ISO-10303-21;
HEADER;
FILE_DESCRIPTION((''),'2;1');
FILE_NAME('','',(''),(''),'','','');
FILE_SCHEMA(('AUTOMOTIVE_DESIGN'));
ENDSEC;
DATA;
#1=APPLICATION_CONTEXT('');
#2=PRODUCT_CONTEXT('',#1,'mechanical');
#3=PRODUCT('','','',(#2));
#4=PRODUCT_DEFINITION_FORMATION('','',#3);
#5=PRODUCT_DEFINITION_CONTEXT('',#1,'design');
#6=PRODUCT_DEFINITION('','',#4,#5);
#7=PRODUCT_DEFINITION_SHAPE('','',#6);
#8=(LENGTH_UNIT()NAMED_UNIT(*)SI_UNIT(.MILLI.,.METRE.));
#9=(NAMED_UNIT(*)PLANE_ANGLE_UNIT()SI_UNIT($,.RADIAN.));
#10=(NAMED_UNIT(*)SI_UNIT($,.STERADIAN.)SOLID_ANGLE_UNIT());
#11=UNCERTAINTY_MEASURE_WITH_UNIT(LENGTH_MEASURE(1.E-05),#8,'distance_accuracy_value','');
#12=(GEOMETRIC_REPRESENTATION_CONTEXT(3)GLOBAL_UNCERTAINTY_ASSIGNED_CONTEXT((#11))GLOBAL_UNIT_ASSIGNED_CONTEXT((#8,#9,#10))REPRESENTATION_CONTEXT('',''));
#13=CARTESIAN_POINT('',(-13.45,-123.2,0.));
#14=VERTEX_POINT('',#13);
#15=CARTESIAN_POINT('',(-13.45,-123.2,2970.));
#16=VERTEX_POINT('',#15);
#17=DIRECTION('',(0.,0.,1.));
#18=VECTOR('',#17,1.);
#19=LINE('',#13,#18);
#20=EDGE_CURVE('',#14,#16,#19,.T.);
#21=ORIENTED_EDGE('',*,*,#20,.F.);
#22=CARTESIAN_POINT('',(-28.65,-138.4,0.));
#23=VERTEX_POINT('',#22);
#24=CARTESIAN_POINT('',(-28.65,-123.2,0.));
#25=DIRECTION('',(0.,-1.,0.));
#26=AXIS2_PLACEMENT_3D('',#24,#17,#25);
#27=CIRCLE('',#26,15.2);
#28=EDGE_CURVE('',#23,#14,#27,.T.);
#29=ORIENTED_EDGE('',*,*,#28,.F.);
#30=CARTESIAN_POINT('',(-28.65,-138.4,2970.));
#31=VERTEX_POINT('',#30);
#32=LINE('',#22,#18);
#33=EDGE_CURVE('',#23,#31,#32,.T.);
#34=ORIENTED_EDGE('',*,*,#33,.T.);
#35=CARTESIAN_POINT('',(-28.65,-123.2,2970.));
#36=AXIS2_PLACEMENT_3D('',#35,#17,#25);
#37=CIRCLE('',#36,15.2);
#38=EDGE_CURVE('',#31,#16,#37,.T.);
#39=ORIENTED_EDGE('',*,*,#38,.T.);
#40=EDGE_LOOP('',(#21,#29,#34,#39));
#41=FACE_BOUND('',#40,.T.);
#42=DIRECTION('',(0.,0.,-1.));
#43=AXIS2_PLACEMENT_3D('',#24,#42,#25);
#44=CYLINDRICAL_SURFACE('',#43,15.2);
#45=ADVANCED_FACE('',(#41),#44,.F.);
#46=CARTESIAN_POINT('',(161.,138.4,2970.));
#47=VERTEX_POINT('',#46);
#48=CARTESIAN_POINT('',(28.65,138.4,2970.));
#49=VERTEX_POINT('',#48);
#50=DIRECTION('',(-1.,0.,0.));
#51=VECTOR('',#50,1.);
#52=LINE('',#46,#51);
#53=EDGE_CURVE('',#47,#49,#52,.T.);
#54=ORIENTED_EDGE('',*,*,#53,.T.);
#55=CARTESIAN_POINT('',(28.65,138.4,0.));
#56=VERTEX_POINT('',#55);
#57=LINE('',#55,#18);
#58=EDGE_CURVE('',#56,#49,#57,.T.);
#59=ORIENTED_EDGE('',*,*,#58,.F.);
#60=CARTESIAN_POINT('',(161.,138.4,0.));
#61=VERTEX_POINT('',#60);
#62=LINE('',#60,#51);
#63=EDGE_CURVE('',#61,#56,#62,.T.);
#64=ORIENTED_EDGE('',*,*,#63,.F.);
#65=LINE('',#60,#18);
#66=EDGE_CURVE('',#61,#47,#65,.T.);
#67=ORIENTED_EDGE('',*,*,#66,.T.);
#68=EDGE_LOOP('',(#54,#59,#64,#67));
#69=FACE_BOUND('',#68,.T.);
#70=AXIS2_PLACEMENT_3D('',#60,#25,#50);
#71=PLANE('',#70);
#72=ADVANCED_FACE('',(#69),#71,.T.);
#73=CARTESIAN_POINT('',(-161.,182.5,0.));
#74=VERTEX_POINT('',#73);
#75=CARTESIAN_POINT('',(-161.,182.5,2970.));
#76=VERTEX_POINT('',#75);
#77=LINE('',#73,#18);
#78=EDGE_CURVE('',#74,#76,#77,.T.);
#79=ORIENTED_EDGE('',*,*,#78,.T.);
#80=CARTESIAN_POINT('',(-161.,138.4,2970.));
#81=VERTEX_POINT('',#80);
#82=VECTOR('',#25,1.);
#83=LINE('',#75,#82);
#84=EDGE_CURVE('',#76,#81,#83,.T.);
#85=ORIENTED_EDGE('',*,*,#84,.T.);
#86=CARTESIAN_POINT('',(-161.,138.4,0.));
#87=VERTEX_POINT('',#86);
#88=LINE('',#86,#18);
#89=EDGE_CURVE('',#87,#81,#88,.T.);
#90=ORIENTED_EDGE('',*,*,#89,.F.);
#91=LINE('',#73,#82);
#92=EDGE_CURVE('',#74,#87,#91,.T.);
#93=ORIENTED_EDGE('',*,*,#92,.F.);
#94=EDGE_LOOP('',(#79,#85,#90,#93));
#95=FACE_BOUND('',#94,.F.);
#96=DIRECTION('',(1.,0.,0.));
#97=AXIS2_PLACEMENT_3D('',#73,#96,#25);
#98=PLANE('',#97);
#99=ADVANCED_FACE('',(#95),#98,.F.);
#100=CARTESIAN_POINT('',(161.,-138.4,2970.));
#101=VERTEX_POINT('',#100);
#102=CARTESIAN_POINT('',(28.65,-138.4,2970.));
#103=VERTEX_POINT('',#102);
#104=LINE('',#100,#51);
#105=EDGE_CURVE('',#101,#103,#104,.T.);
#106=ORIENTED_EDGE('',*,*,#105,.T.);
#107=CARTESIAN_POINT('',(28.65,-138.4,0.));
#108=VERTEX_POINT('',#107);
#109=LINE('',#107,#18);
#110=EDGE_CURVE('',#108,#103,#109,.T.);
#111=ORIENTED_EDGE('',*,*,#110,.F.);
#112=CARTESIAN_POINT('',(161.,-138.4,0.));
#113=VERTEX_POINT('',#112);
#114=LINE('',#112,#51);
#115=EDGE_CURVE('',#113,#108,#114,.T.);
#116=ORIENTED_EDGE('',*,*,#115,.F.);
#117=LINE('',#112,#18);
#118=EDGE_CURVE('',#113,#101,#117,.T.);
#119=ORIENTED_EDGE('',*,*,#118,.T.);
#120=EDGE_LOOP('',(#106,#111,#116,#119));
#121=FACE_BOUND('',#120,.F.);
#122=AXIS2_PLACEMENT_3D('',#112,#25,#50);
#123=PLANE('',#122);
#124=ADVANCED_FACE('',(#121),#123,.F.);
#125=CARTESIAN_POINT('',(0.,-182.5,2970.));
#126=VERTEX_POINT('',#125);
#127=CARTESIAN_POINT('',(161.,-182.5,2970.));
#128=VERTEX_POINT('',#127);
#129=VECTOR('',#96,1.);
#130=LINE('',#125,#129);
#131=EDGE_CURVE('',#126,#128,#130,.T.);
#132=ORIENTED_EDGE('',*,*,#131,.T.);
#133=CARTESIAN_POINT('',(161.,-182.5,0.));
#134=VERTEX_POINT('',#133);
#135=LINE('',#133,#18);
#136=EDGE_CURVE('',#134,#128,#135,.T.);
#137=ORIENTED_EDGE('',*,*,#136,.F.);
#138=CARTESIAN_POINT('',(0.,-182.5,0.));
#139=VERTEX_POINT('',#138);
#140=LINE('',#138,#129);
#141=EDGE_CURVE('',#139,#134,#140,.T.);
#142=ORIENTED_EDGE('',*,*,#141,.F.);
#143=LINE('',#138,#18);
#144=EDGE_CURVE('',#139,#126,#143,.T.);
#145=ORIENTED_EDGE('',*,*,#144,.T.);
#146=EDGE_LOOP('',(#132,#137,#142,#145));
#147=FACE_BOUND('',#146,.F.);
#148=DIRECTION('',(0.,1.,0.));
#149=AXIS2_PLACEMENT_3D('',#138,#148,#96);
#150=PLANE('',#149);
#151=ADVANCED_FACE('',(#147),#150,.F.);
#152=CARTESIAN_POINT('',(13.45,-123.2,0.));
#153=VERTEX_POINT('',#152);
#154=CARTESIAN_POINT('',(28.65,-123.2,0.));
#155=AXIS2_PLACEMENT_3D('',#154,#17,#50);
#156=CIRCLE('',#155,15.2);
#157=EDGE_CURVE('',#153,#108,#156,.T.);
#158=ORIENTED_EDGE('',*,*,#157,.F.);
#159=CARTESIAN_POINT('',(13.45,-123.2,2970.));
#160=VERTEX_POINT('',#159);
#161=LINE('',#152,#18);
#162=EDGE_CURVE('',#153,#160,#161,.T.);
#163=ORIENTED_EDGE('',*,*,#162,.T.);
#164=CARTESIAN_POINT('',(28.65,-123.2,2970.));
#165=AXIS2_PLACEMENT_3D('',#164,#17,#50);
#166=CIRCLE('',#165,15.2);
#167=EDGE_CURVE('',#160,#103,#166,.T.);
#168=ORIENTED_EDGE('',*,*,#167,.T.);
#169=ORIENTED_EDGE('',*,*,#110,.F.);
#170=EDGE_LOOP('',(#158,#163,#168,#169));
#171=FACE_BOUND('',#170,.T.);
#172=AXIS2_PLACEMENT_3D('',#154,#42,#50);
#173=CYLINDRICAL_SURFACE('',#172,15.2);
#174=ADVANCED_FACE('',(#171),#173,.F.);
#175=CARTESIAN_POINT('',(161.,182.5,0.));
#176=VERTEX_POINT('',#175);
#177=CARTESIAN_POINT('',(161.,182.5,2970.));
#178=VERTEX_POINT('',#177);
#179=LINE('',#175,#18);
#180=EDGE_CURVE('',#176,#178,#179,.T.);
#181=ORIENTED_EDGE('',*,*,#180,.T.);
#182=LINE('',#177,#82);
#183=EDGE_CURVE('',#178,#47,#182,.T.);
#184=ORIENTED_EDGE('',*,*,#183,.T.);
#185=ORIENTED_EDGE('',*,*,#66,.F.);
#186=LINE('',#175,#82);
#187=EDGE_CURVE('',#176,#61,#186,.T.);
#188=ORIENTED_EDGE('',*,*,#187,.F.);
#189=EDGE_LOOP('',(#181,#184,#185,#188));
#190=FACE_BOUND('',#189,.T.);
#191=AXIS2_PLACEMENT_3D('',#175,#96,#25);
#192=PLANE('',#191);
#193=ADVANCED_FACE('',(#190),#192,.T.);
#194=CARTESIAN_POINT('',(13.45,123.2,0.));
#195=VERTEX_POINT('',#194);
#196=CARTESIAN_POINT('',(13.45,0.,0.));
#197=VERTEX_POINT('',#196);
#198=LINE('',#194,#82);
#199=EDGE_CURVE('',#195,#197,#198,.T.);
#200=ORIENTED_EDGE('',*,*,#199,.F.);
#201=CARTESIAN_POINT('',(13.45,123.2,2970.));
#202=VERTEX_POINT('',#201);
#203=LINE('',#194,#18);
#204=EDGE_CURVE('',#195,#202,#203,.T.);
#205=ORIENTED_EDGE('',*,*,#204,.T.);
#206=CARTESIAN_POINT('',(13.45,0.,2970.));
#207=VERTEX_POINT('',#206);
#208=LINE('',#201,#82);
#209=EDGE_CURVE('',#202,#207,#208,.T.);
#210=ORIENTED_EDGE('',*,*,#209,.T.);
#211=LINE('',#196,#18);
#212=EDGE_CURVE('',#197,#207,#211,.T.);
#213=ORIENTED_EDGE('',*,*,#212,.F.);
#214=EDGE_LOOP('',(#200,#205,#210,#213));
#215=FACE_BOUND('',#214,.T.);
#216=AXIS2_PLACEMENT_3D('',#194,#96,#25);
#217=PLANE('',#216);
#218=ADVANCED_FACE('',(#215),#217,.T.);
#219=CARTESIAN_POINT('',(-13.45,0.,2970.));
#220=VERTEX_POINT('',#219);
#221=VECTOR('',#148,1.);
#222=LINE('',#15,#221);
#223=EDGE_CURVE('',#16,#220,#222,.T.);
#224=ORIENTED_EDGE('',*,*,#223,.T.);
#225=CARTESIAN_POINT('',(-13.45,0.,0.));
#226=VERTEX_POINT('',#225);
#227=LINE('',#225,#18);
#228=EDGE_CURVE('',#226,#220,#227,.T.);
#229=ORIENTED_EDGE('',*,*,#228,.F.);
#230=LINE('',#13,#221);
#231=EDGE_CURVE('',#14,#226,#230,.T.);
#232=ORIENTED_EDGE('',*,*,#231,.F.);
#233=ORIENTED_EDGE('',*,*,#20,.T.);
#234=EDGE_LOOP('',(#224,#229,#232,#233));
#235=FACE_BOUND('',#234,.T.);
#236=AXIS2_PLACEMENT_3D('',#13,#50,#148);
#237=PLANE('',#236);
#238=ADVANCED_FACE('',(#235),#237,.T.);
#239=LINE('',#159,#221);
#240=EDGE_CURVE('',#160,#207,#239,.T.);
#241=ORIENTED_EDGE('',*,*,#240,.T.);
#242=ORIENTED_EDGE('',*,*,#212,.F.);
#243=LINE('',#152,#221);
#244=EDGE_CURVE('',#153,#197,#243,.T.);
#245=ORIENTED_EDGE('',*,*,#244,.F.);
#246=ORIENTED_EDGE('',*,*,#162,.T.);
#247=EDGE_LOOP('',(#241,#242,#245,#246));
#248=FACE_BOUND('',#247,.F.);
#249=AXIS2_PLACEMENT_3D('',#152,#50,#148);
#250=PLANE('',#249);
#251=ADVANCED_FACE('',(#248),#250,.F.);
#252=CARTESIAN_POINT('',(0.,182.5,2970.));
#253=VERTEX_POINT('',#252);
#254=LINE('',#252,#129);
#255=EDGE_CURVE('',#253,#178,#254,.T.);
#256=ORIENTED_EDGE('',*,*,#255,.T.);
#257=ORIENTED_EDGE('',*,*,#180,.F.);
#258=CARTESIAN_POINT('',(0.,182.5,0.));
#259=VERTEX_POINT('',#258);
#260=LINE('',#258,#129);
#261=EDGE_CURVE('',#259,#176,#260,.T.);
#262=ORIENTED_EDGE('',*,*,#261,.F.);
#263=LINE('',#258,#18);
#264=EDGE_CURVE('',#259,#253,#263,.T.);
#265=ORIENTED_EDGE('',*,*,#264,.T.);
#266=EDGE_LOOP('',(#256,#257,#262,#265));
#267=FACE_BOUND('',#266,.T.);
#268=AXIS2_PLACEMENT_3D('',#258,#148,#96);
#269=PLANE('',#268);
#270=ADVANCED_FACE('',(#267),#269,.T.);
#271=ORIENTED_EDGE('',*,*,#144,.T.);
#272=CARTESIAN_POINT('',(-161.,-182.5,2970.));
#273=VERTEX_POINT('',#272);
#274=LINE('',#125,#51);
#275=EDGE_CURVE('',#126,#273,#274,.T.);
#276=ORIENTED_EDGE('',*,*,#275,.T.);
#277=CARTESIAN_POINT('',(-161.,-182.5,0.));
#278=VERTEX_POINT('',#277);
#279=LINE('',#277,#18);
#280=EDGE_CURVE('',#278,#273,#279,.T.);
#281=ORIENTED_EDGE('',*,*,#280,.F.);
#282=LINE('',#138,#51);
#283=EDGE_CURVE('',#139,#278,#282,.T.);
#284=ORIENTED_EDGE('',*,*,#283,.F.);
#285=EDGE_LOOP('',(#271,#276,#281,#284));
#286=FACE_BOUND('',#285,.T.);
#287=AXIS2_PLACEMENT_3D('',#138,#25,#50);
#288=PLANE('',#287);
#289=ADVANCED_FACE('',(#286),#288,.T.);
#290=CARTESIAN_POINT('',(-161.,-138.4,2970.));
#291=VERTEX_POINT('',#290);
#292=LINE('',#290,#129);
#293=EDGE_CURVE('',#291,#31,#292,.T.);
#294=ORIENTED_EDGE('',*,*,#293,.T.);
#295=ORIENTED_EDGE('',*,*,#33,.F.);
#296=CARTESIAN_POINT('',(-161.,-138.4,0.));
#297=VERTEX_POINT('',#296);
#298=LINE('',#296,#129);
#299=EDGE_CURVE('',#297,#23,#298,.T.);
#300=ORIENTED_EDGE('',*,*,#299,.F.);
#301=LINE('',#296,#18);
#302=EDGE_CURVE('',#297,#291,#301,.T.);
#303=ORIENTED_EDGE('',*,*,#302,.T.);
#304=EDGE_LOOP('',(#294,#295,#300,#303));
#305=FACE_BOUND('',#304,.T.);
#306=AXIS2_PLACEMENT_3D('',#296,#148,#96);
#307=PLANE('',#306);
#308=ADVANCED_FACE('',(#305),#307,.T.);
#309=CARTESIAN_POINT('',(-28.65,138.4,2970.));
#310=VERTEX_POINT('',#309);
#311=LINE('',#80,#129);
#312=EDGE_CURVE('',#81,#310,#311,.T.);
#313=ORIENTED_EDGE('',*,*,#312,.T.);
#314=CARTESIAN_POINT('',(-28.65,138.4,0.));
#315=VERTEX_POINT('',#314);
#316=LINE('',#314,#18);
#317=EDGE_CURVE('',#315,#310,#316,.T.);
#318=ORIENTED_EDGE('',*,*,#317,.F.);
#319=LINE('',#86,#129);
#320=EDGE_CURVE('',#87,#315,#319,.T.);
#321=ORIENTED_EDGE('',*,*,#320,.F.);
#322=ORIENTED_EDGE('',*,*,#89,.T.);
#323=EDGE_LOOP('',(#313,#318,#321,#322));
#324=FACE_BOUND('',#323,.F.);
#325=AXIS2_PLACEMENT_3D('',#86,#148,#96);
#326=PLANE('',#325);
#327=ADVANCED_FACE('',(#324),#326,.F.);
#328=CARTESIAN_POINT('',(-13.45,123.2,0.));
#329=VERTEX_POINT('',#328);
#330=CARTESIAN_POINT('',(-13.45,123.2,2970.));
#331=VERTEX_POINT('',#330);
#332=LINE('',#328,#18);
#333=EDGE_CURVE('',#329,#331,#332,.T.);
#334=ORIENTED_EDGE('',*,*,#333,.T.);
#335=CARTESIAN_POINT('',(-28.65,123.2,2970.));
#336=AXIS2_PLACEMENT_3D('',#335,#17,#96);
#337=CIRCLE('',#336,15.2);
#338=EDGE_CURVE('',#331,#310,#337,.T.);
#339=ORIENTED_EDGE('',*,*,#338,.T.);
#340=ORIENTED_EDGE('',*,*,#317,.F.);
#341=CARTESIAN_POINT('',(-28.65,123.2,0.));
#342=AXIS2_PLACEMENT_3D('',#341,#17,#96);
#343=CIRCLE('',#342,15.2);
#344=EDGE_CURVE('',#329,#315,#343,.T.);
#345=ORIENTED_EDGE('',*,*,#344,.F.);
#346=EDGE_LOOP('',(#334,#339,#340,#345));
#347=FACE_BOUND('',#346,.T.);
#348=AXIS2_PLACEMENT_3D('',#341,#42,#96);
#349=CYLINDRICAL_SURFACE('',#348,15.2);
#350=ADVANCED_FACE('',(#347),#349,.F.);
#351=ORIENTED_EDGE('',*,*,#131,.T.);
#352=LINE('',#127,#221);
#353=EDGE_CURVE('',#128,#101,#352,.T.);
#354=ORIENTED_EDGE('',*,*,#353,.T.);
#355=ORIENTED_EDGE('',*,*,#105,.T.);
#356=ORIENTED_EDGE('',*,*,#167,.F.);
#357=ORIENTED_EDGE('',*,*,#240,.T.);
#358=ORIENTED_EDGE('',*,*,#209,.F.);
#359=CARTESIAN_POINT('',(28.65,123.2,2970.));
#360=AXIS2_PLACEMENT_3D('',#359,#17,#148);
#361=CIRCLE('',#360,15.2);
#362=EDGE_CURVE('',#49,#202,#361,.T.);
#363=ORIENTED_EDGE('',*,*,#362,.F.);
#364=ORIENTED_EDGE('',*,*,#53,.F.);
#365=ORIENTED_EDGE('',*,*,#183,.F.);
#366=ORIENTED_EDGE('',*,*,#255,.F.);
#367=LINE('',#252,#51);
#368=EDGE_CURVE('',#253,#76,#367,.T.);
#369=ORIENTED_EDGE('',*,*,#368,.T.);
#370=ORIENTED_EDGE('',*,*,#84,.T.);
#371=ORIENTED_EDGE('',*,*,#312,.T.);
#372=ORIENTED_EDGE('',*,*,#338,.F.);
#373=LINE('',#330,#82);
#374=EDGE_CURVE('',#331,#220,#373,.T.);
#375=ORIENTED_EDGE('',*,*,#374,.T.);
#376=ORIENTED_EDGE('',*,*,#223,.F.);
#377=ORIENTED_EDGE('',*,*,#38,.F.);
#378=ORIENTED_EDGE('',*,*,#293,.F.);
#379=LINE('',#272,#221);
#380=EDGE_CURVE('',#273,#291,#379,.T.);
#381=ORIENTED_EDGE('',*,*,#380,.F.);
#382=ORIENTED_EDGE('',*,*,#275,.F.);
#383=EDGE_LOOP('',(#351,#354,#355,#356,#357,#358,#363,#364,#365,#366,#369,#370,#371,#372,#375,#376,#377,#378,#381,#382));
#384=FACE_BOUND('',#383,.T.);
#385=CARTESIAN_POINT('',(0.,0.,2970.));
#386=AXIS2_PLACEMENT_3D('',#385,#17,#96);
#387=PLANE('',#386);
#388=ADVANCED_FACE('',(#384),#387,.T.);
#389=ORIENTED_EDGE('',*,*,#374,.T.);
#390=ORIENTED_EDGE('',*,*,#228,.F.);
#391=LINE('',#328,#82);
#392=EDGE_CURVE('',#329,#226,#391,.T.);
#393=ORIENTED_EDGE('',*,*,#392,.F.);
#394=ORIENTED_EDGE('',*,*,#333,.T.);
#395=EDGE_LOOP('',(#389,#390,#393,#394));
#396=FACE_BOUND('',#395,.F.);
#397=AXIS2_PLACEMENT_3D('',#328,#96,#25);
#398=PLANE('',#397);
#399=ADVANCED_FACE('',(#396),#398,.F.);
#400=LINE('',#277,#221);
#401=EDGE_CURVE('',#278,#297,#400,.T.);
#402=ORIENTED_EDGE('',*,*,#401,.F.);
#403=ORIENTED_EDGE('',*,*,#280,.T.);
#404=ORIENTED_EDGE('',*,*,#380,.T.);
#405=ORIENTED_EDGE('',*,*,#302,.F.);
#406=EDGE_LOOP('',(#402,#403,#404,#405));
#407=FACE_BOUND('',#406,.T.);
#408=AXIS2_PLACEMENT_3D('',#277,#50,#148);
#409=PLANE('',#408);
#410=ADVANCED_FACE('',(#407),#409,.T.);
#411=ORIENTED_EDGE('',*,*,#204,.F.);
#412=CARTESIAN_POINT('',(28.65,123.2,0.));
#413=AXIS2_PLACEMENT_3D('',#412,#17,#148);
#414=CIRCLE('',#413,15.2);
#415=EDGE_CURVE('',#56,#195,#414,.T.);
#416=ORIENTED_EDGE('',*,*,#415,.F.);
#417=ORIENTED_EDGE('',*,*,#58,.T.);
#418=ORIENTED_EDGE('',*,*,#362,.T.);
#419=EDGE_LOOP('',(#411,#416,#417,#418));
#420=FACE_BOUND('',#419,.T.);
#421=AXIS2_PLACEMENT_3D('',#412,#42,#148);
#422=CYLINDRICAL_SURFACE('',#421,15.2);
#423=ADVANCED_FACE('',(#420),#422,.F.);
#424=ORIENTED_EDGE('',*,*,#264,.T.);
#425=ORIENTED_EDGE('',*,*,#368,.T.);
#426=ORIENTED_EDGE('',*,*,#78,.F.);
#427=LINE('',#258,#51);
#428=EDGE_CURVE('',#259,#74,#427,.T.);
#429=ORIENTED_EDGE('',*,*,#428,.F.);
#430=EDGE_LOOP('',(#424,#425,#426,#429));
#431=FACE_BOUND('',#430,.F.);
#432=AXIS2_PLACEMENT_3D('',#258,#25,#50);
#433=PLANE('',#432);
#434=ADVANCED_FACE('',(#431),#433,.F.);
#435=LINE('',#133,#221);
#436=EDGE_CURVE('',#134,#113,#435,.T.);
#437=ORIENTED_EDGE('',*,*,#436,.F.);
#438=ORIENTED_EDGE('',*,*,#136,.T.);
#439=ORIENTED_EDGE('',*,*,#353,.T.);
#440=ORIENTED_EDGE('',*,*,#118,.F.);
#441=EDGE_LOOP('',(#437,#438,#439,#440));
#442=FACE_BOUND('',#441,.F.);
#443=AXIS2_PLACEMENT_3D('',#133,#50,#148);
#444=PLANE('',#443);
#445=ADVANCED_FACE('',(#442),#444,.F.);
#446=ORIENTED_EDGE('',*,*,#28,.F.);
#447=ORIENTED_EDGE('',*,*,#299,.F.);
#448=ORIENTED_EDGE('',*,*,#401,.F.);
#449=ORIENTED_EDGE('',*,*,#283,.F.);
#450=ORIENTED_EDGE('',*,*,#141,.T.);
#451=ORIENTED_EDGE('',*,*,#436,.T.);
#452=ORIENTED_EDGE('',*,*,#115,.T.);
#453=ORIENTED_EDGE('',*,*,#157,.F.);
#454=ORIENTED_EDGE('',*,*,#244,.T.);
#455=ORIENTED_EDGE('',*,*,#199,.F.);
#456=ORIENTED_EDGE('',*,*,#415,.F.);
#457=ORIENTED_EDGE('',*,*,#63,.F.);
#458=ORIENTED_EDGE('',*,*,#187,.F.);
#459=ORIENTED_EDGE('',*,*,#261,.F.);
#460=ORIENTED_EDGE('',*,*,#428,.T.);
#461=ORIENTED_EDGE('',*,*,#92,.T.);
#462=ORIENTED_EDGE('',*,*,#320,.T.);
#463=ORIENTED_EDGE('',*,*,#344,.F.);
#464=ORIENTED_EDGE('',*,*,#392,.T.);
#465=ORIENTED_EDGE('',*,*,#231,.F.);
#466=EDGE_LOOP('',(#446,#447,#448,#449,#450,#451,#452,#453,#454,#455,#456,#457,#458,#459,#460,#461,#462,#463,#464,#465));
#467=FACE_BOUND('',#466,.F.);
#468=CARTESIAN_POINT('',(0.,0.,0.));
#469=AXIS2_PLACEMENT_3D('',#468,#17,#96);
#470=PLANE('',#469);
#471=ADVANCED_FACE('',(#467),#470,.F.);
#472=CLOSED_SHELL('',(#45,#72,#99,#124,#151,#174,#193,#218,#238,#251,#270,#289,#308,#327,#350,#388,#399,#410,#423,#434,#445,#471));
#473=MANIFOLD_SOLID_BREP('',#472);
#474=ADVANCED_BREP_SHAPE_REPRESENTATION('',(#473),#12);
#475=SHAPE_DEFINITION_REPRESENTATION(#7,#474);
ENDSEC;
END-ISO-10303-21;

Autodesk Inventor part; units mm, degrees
ref_plane "YZ Plane" through (0, 0, 0) normal (1, 0, 0) x (0, 1, 0)
ref_plane "Start plane" through (0, 0, 0) normal (0, 0, 1) x (1, 0, 0)
ref_plane "End plane" through (0, 0, 2970) normal (0, 0, 1) x (1, 0, 0)
sketch "Sketch" plane through (0, 0, 0) normal (0, 0, 1) x (1, 0, 0)
  line L0 (-161, -182.5) -> (-161, -138.4)
  line L1 (-161, -138.4) -> (-28.65, -138.4)
  line L2 (-13.45, -123.2) -> (-13.45, 0)
  line L3 (-13.45, 0) -> (0, 0) construction
  line L4 (0, 0) -> (0, -182.5) construction
  line L5 (0, -182.5) -> (-161, -182.5)
  line L6 (-60, 0) -> (80, 0) construction
  line L7 (0, -60) -> (0, 80) construction
  line L8 (161, -182.5) -> (161, -138.4)
  line L9 (161, -138.4) -> (28.65, -138.4)
  line L10 (13.45, -123.2) -> (13.45, 0)
  line L11 (13.45, 0) -> (0, 0) construction
  line L12 (0, -182.5) -> (161, -182.5)
  line L13 (-161, 182.5) -> (-161, 138.4)
  line L14 (-161, 138.4) -> (-28.65, 138.4)
  line L15 (-13.45, 123.2) -> (-13.45, 0)
  line L16 (0, 182.5) -> (-161, 182.5)
  line L17 (161, 182.5) -> (161, 138.4)
  line L18 (161, 138.4) -> (28.65, 138.4)
  line L19 (0, 182.5) -> (161, 182.5)
  line L20 (13.45, 123.2) -> (13.45, 0)
  arc A0 (-13.45, 123.2) -> (-28.65, 138.4) centre (-28.65, 123.2) ccw
  arc A1 (28.65, 138.4) -> (13.45, 123.2) centre (28.65, 123.2) ccw
  arc A2 (13.45, -123.2) -> (28.65, -138.4) centre (28.65, -123.2) ccw
  arc A3 (-28.65, -138.4) -> (-13.45, -123.2) centre (-28.65, -123.2) ccw
  line L21 (0, 108) -> (0, -88) construction
  line L22 (-88, 0) -> (108, 0) construction
  point P0 (-13.45, -138.4)
  point P1 (13.45, -138.4)
  point P2 (-13.45, 138.4)
  point P3 (13.45, 138.4)
  dimension "d1" = 182.5
  dimension "d2" = 44.1
  dimension "d3" = 161
  dimension "d4" = 13.45
  dimension "d10" = 15.2
extrude "Body" add sketch "Sketch" along normal up to surface (2970 mm away) from surface at 0
sketch "Sketch4" plane through (0, 0, 0) normal (0, 0, 1) x (1, 0, 0)
  line L0 (0, 0) -> (10, 0)
ref_plane "Work Plane3" through (0, 0, 0) normal (0, -1, 0) x (1, 0, 0)
sketch "Sketch5" plane through (0, 0, 0) normal (0, -1, 0) x (1, 0, 0)
  line L0 (-2, 0) -> (12, 0) projected
  line L1 (-2, 2970) -> (12, 2970) projected
  dimension "d14" = 2970
equation "\"d1\" = 0.5 * G_H"
equation "\"d2\" = G_T1"
equation "\"d3\" = 0.5 * G_W"
equation "\"d4\" = 0.5 * G_T"
equation "\"d10\" = G_IR"
equation "\"d5\" = G_L"
equation "\"G_W\" = 322"
equation "\"G_H\" = 365"
equation "\"G_T\" = 26.9"
equation "\"G_T1\" = 44.1"
equation "\"G_IR\" = 15.2"
equation "\"G_L\" = d14"
equation "\"G_OFFSET_START\" = 0"
equation "\"G_OFFSET_END\" = 0"
properties part number "AS 3679 - 310 UC - 283 - 2970" material "Steel, Mild"
